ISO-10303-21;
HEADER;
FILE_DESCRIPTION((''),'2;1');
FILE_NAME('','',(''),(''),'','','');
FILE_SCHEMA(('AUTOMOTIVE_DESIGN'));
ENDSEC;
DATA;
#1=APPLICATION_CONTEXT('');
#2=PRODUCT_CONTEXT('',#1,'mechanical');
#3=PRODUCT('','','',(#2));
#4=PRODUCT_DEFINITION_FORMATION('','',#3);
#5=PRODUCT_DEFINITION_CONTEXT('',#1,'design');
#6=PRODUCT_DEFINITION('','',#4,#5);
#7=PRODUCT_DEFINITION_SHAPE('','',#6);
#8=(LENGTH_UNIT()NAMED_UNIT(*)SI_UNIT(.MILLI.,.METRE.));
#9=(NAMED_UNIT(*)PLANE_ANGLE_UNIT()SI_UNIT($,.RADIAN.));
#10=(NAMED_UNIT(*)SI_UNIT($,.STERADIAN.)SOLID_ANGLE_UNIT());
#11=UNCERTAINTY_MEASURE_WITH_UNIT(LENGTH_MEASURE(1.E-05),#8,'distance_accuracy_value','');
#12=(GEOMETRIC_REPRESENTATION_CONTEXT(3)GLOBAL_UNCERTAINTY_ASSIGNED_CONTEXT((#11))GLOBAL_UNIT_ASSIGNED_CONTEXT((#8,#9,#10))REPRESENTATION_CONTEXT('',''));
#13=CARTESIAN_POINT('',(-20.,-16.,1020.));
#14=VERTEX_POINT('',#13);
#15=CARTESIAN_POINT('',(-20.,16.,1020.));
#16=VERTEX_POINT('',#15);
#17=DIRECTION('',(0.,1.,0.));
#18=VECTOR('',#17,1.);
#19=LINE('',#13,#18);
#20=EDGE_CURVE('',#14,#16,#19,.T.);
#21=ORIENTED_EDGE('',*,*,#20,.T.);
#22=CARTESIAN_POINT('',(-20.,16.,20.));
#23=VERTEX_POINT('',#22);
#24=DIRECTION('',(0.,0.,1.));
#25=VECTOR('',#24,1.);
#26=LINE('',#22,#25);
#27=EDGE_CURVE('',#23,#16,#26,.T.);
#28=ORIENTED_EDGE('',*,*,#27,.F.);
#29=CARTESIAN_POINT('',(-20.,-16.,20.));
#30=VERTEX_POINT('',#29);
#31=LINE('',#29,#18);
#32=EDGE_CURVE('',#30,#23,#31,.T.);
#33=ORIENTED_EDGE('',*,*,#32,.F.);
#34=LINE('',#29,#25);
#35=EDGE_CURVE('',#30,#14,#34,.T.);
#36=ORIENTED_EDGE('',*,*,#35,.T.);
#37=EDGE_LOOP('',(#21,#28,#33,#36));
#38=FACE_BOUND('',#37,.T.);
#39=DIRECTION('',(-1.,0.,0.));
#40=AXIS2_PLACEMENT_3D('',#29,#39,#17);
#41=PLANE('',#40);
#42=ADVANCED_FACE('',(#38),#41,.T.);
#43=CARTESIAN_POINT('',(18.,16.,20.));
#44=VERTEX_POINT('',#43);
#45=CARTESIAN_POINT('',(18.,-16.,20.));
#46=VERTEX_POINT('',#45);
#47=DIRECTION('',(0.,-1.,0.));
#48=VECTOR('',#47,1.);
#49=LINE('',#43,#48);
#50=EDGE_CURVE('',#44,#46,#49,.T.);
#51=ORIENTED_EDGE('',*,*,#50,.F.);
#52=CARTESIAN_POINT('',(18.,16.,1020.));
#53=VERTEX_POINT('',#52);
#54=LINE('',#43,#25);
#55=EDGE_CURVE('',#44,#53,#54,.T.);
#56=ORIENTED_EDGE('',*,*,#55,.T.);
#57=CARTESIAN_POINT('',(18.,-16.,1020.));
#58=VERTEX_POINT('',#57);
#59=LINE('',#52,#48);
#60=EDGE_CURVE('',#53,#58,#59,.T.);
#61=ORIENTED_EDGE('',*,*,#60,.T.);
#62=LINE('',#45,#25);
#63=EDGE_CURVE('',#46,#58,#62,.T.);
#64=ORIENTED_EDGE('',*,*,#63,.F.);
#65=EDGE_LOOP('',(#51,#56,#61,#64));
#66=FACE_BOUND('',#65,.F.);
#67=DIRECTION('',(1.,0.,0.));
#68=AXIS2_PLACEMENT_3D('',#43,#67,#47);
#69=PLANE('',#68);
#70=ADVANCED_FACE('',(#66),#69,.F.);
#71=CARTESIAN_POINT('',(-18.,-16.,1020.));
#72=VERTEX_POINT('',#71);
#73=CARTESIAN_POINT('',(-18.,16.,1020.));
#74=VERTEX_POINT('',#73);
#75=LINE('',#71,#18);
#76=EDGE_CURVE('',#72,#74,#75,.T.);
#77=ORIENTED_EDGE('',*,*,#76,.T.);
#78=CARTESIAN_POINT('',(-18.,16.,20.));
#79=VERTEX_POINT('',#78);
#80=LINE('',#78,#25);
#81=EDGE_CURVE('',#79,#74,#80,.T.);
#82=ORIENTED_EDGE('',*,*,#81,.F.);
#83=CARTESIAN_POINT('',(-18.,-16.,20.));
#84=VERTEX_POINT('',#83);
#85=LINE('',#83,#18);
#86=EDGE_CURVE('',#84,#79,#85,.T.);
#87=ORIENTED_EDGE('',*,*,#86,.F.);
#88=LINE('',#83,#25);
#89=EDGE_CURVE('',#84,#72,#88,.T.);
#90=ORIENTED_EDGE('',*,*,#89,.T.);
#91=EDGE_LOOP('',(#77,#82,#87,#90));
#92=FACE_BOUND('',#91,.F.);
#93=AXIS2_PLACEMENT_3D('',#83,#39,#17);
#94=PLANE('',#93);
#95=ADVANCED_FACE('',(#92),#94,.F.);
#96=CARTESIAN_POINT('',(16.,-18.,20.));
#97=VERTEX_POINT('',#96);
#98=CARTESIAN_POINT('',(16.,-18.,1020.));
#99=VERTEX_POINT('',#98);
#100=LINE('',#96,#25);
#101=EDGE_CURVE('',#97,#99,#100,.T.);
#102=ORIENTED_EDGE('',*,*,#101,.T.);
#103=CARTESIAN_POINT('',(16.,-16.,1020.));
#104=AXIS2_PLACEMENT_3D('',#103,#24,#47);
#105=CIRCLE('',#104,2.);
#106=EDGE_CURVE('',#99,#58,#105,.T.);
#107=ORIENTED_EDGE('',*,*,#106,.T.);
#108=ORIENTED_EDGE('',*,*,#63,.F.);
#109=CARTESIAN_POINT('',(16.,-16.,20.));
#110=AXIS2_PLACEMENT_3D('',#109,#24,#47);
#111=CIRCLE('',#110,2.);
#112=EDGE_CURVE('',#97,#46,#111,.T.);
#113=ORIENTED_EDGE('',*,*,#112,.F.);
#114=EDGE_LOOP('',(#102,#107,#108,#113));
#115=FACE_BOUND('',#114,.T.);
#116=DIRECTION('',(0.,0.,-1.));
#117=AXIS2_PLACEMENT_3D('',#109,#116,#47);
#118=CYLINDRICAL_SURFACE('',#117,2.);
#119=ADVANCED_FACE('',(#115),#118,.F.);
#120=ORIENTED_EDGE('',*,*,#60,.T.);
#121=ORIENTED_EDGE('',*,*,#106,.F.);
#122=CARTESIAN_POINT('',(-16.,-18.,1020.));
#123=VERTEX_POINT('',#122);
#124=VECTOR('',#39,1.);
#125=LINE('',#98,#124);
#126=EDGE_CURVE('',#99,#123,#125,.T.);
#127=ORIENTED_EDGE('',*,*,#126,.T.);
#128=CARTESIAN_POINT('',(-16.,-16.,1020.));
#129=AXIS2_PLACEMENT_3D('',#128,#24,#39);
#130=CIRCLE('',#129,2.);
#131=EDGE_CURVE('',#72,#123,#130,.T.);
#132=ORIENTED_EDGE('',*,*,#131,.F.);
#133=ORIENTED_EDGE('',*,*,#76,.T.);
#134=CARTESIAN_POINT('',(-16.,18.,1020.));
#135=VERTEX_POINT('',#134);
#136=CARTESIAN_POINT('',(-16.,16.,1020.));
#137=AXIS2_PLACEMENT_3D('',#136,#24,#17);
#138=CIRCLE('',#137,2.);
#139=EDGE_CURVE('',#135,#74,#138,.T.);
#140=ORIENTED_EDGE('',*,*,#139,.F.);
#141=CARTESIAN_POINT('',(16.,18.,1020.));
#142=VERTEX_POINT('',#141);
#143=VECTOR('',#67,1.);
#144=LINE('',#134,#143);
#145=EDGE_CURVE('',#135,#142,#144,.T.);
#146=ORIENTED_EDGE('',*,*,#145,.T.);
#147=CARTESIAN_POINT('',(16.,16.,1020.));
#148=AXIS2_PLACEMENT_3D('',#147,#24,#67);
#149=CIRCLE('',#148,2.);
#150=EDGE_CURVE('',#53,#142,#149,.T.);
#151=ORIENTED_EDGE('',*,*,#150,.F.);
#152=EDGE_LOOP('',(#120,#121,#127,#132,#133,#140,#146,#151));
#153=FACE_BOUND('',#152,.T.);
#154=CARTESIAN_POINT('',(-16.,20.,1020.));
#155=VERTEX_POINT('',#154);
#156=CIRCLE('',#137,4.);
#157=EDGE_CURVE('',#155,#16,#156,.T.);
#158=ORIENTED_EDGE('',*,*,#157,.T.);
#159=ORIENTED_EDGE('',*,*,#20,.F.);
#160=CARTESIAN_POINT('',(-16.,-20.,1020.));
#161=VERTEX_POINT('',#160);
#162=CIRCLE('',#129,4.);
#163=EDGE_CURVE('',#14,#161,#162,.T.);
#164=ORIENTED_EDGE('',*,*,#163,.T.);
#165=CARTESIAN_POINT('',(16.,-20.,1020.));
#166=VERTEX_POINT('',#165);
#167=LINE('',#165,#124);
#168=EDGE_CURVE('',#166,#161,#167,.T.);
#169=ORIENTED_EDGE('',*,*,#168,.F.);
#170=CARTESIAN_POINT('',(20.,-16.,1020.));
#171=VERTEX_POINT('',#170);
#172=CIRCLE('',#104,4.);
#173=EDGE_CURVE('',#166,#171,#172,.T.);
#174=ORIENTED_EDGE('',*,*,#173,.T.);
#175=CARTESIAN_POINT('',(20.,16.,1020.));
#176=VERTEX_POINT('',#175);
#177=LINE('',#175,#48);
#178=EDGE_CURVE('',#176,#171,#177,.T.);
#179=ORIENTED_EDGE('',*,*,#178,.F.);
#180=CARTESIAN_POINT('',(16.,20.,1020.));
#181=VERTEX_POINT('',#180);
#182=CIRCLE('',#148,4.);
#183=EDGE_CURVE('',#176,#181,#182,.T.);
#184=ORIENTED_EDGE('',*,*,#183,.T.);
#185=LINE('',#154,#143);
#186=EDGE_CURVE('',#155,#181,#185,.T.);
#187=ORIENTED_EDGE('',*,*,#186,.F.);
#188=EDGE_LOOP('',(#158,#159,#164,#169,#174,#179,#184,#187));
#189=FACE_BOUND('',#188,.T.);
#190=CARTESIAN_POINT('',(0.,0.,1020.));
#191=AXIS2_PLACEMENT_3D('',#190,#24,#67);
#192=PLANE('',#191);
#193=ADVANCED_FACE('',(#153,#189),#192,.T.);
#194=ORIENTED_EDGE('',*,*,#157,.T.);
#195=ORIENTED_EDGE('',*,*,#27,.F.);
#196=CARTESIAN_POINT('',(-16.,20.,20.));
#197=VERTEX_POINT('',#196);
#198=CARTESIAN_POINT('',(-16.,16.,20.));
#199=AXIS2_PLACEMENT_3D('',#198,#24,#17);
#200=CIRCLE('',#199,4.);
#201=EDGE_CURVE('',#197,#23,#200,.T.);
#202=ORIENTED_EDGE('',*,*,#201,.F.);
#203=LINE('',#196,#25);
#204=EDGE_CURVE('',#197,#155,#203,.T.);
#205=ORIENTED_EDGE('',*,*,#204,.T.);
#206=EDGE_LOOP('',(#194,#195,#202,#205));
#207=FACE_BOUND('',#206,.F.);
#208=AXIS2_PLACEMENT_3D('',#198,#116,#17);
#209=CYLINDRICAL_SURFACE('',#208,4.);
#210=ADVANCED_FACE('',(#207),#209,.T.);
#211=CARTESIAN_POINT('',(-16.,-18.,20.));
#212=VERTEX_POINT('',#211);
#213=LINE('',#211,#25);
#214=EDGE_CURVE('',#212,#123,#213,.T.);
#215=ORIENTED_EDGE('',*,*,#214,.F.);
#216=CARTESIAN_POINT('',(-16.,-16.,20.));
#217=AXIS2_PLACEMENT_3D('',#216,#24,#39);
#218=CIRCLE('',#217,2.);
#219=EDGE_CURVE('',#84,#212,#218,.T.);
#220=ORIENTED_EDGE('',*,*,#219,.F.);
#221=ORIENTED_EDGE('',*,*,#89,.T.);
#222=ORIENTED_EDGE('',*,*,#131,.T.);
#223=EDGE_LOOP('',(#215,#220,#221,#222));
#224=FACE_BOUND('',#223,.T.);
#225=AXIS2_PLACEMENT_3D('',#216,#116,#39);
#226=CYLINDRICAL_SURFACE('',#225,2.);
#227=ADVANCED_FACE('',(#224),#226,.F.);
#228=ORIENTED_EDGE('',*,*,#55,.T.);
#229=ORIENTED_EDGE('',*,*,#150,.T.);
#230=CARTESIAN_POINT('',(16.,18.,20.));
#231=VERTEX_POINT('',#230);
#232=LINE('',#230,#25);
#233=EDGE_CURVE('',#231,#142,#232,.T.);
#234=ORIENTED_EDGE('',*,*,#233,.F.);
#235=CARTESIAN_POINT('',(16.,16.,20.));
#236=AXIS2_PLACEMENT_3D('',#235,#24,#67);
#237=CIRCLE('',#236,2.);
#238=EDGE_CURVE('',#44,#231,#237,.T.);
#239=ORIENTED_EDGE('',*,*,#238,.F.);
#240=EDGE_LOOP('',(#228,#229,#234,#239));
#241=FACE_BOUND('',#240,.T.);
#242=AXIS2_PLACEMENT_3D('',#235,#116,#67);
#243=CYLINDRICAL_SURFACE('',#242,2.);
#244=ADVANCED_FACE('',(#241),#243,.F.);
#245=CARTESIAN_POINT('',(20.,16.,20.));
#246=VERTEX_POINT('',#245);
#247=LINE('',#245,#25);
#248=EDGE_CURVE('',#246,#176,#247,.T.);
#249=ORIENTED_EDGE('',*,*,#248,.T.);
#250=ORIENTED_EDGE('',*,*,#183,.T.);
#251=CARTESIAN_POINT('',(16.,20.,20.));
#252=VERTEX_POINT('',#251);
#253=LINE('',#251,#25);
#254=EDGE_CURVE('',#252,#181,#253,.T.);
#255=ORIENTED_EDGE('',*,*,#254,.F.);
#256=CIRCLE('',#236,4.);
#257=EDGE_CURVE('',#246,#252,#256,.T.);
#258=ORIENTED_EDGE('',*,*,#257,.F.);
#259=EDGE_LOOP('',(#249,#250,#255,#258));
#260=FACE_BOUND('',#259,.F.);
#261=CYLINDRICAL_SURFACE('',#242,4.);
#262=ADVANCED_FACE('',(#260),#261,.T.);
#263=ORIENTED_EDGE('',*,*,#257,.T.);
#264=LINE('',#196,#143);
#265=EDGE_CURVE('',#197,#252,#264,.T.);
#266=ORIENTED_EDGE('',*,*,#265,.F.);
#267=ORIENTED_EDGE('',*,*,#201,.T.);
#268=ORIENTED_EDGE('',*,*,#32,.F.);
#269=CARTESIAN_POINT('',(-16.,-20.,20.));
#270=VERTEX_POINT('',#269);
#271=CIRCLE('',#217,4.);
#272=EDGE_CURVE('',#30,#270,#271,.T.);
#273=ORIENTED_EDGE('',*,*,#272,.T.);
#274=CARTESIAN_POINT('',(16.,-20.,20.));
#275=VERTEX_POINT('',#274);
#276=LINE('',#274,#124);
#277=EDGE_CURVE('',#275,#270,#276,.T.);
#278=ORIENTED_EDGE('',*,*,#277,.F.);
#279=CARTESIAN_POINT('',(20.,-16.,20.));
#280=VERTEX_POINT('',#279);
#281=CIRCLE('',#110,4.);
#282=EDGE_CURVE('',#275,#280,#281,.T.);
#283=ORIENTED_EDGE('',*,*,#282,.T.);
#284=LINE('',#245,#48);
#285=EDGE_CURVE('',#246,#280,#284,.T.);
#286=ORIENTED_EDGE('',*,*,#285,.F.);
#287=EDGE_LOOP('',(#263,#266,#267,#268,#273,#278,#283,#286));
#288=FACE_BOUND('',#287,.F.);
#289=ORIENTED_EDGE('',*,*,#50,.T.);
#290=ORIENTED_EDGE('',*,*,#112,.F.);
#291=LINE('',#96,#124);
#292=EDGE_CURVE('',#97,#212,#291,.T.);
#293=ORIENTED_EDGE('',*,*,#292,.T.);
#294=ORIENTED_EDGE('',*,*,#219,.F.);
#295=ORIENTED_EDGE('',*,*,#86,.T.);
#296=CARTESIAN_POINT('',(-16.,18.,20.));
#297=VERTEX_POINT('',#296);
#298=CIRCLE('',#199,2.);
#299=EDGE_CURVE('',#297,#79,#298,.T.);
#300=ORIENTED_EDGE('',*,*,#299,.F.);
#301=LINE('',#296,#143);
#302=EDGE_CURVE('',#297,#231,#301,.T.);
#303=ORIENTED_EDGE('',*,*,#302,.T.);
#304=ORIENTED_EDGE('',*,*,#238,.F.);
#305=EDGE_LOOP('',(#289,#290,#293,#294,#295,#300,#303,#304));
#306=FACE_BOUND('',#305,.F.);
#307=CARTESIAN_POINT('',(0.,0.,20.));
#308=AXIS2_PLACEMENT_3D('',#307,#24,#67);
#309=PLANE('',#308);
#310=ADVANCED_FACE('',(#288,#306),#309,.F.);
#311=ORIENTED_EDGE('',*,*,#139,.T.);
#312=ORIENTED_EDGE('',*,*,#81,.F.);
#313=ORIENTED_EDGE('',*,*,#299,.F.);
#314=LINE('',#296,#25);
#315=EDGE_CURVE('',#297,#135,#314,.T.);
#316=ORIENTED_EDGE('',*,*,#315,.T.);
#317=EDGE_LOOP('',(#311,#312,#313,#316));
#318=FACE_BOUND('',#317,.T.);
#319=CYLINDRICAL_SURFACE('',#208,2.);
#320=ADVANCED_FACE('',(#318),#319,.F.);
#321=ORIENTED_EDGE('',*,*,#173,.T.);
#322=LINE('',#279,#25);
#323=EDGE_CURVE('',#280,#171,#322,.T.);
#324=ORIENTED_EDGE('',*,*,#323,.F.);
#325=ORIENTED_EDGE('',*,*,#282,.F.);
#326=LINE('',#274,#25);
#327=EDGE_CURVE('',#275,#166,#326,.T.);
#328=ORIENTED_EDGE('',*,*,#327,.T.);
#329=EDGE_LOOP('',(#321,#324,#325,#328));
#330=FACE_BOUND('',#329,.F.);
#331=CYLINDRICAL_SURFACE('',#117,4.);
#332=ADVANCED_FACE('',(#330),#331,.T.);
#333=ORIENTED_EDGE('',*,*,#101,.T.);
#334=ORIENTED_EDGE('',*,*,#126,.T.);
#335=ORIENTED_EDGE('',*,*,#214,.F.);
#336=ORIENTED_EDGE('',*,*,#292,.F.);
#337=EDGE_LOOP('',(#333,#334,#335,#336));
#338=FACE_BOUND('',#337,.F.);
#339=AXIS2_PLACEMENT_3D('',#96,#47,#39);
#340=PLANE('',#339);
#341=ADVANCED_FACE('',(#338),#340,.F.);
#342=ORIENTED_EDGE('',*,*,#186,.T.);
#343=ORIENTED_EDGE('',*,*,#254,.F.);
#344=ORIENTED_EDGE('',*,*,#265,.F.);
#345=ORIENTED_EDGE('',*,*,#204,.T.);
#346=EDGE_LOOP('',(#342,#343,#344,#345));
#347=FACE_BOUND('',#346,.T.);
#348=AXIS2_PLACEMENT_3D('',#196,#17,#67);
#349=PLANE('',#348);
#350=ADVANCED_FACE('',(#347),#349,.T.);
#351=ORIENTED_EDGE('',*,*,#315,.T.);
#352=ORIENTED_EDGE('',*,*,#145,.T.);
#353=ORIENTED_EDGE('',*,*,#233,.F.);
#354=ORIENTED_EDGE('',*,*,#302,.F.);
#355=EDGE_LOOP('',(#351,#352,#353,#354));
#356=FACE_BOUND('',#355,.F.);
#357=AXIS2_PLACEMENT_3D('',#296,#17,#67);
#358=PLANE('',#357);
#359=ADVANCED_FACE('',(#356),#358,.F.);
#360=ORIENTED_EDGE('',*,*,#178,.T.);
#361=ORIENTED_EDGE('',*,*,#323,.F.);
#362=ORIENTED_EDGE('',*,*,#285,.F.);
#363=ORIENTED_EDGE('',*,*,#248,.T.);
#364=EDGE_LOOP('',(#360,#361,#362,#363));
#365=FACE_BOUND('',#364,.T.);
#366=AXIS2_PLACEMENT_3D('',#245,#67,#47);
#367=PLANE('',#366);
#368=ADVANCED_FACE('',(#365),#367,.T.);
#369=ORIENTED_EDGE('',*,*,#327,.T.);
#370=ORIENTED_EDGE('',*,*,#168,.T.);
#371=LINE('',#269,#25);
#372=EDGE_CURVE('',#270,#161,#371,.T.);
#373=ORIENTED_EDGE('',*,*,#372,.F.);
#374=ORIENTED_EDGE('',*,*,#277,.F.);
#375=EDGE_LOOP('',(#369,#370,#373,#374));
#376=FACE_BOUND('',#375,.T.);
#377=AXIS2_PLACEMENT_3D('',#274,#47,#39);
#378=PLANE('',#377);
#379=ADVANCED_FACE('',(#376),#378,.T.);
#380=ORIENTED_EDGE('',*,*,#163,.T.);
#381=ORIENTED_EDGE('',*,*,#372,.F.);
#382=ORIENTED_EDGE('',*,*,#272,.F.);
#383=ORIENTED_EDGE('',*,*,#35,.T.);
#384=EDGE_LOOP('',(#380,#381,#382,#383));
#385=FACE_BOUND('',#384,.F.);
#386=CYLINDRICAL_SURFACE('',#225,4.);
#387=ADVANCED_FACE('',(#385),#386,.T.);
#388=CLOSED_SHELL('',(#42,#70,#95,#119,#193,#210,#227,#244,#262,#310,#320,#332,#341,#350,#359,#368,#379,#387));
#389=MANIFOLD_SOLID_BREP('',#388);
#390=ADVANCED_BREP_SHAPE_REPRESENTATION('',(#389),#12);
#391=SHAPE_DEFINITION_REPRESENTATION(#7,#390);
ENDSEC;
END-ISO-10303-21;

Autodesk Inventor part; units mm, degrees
ref_plane "YZ Plane" through (0, 0, 0) normal (1, 0, 0) x (0, 1, 0)
ref_plane "Start Plane" through (0, 0, 20) normal (0, 0, 1) x (1, 0, 0)
ref_plane "End Plane" through (0, 0, 1020) normal (0, 0, 1) x (1, 0, 0)
sketch "Sketch" plane through (0, 0, 0) normal (0, 0, 1) x (1, 0, 0)
  line L0 (-20, -16) -> (-20, 16)
  line L1 (-16, 20) -> (16, 20)
  line L2 (20, 16) -> (20, -16)
  line L3 (16, -20) -> (-16, -20)
  arc A0 (-20, -16) -> (-16, -20) centre (-16, -16) ccw
  arc A1 (20, 16) -> (16, 20) centre (16, 16) ccw
  arc A2 (-16, 20) -> (-20, 16) centre (-16, 16) ccw
  arc A3 (16, -20) -> (20, -16) centre (16, -16) ccw
  arc A4 (-16, 18) -> (-18, 16) centre (-16, 16) ccw
  line L4 (-16, 18) -> (16, 18)
  arc A5 (18, 16) -> (16, 18) centre (16, 16) ccw
  line L5 (18, 16) -> (18, -16)
  arc A6 (16, -18) -> (18, -16) centre (16, -16) ccw
  line L6 (16, -18) -> (-16, -18)
  arc A7 (-18, -16) -> (-16, -18) centre (-16, -16) ccw
  line L7 (-18, -16) -> (-18, 16)
  line L8 (0, 29.1598) -> (0, -29.1598) construction
  line L9 (-29.1598, 0) -> (29.1598, 0) construction
  dimension "d7" = 4
  dimension "d9" = 40
  dimension "d11" = 40
  dimension "d12" = 2
  dimension "d15" = 20
  dimension "d16" = 20
extrude "Body" add sketch "Sketch" along normal up to surface (1000 mm away) from surface at 20
sketch "Sketch3" plane through (0, 0, 0) normal (0, 0, 1) x (1, 0, 0)
  line L0 (0, 0) -> (10, 0)
ref_plane "Work Plane3" through (0, 0, 0) normal (0, -1, 0) x (1, 0, 0)
sketch "Sketch4" plane through (0, 0, 0) normal (0, -1, 0) x (1, 0, 0)
  line L0 (-2, 20) -> (12, 20) projected
  line L1 (-2, 1020) -> (12, 1020) projected
  dimension "d18" = 1000
equation "\"d7\" = G_IR"
equation "\"d9\" = G_W"
equation "\"d11\" = G_H"
equation "\"d12\" = G_T"
equation "\"d15\" = 0.5 * d9"
equation "\"d16\" = 0.5 * d11"
equation "\"d3\" = G_L"
equation "\"G_W\" = 40"
equation "\"G_H\" = 40"
equation "\"G_T\" = 2"
equation "\"G_IR\" = 4"
equation "\"G_L\" = d18"
properties part number "ISO 10799-2 - 40x40x2 - 1000" material "Steel, Mild"
